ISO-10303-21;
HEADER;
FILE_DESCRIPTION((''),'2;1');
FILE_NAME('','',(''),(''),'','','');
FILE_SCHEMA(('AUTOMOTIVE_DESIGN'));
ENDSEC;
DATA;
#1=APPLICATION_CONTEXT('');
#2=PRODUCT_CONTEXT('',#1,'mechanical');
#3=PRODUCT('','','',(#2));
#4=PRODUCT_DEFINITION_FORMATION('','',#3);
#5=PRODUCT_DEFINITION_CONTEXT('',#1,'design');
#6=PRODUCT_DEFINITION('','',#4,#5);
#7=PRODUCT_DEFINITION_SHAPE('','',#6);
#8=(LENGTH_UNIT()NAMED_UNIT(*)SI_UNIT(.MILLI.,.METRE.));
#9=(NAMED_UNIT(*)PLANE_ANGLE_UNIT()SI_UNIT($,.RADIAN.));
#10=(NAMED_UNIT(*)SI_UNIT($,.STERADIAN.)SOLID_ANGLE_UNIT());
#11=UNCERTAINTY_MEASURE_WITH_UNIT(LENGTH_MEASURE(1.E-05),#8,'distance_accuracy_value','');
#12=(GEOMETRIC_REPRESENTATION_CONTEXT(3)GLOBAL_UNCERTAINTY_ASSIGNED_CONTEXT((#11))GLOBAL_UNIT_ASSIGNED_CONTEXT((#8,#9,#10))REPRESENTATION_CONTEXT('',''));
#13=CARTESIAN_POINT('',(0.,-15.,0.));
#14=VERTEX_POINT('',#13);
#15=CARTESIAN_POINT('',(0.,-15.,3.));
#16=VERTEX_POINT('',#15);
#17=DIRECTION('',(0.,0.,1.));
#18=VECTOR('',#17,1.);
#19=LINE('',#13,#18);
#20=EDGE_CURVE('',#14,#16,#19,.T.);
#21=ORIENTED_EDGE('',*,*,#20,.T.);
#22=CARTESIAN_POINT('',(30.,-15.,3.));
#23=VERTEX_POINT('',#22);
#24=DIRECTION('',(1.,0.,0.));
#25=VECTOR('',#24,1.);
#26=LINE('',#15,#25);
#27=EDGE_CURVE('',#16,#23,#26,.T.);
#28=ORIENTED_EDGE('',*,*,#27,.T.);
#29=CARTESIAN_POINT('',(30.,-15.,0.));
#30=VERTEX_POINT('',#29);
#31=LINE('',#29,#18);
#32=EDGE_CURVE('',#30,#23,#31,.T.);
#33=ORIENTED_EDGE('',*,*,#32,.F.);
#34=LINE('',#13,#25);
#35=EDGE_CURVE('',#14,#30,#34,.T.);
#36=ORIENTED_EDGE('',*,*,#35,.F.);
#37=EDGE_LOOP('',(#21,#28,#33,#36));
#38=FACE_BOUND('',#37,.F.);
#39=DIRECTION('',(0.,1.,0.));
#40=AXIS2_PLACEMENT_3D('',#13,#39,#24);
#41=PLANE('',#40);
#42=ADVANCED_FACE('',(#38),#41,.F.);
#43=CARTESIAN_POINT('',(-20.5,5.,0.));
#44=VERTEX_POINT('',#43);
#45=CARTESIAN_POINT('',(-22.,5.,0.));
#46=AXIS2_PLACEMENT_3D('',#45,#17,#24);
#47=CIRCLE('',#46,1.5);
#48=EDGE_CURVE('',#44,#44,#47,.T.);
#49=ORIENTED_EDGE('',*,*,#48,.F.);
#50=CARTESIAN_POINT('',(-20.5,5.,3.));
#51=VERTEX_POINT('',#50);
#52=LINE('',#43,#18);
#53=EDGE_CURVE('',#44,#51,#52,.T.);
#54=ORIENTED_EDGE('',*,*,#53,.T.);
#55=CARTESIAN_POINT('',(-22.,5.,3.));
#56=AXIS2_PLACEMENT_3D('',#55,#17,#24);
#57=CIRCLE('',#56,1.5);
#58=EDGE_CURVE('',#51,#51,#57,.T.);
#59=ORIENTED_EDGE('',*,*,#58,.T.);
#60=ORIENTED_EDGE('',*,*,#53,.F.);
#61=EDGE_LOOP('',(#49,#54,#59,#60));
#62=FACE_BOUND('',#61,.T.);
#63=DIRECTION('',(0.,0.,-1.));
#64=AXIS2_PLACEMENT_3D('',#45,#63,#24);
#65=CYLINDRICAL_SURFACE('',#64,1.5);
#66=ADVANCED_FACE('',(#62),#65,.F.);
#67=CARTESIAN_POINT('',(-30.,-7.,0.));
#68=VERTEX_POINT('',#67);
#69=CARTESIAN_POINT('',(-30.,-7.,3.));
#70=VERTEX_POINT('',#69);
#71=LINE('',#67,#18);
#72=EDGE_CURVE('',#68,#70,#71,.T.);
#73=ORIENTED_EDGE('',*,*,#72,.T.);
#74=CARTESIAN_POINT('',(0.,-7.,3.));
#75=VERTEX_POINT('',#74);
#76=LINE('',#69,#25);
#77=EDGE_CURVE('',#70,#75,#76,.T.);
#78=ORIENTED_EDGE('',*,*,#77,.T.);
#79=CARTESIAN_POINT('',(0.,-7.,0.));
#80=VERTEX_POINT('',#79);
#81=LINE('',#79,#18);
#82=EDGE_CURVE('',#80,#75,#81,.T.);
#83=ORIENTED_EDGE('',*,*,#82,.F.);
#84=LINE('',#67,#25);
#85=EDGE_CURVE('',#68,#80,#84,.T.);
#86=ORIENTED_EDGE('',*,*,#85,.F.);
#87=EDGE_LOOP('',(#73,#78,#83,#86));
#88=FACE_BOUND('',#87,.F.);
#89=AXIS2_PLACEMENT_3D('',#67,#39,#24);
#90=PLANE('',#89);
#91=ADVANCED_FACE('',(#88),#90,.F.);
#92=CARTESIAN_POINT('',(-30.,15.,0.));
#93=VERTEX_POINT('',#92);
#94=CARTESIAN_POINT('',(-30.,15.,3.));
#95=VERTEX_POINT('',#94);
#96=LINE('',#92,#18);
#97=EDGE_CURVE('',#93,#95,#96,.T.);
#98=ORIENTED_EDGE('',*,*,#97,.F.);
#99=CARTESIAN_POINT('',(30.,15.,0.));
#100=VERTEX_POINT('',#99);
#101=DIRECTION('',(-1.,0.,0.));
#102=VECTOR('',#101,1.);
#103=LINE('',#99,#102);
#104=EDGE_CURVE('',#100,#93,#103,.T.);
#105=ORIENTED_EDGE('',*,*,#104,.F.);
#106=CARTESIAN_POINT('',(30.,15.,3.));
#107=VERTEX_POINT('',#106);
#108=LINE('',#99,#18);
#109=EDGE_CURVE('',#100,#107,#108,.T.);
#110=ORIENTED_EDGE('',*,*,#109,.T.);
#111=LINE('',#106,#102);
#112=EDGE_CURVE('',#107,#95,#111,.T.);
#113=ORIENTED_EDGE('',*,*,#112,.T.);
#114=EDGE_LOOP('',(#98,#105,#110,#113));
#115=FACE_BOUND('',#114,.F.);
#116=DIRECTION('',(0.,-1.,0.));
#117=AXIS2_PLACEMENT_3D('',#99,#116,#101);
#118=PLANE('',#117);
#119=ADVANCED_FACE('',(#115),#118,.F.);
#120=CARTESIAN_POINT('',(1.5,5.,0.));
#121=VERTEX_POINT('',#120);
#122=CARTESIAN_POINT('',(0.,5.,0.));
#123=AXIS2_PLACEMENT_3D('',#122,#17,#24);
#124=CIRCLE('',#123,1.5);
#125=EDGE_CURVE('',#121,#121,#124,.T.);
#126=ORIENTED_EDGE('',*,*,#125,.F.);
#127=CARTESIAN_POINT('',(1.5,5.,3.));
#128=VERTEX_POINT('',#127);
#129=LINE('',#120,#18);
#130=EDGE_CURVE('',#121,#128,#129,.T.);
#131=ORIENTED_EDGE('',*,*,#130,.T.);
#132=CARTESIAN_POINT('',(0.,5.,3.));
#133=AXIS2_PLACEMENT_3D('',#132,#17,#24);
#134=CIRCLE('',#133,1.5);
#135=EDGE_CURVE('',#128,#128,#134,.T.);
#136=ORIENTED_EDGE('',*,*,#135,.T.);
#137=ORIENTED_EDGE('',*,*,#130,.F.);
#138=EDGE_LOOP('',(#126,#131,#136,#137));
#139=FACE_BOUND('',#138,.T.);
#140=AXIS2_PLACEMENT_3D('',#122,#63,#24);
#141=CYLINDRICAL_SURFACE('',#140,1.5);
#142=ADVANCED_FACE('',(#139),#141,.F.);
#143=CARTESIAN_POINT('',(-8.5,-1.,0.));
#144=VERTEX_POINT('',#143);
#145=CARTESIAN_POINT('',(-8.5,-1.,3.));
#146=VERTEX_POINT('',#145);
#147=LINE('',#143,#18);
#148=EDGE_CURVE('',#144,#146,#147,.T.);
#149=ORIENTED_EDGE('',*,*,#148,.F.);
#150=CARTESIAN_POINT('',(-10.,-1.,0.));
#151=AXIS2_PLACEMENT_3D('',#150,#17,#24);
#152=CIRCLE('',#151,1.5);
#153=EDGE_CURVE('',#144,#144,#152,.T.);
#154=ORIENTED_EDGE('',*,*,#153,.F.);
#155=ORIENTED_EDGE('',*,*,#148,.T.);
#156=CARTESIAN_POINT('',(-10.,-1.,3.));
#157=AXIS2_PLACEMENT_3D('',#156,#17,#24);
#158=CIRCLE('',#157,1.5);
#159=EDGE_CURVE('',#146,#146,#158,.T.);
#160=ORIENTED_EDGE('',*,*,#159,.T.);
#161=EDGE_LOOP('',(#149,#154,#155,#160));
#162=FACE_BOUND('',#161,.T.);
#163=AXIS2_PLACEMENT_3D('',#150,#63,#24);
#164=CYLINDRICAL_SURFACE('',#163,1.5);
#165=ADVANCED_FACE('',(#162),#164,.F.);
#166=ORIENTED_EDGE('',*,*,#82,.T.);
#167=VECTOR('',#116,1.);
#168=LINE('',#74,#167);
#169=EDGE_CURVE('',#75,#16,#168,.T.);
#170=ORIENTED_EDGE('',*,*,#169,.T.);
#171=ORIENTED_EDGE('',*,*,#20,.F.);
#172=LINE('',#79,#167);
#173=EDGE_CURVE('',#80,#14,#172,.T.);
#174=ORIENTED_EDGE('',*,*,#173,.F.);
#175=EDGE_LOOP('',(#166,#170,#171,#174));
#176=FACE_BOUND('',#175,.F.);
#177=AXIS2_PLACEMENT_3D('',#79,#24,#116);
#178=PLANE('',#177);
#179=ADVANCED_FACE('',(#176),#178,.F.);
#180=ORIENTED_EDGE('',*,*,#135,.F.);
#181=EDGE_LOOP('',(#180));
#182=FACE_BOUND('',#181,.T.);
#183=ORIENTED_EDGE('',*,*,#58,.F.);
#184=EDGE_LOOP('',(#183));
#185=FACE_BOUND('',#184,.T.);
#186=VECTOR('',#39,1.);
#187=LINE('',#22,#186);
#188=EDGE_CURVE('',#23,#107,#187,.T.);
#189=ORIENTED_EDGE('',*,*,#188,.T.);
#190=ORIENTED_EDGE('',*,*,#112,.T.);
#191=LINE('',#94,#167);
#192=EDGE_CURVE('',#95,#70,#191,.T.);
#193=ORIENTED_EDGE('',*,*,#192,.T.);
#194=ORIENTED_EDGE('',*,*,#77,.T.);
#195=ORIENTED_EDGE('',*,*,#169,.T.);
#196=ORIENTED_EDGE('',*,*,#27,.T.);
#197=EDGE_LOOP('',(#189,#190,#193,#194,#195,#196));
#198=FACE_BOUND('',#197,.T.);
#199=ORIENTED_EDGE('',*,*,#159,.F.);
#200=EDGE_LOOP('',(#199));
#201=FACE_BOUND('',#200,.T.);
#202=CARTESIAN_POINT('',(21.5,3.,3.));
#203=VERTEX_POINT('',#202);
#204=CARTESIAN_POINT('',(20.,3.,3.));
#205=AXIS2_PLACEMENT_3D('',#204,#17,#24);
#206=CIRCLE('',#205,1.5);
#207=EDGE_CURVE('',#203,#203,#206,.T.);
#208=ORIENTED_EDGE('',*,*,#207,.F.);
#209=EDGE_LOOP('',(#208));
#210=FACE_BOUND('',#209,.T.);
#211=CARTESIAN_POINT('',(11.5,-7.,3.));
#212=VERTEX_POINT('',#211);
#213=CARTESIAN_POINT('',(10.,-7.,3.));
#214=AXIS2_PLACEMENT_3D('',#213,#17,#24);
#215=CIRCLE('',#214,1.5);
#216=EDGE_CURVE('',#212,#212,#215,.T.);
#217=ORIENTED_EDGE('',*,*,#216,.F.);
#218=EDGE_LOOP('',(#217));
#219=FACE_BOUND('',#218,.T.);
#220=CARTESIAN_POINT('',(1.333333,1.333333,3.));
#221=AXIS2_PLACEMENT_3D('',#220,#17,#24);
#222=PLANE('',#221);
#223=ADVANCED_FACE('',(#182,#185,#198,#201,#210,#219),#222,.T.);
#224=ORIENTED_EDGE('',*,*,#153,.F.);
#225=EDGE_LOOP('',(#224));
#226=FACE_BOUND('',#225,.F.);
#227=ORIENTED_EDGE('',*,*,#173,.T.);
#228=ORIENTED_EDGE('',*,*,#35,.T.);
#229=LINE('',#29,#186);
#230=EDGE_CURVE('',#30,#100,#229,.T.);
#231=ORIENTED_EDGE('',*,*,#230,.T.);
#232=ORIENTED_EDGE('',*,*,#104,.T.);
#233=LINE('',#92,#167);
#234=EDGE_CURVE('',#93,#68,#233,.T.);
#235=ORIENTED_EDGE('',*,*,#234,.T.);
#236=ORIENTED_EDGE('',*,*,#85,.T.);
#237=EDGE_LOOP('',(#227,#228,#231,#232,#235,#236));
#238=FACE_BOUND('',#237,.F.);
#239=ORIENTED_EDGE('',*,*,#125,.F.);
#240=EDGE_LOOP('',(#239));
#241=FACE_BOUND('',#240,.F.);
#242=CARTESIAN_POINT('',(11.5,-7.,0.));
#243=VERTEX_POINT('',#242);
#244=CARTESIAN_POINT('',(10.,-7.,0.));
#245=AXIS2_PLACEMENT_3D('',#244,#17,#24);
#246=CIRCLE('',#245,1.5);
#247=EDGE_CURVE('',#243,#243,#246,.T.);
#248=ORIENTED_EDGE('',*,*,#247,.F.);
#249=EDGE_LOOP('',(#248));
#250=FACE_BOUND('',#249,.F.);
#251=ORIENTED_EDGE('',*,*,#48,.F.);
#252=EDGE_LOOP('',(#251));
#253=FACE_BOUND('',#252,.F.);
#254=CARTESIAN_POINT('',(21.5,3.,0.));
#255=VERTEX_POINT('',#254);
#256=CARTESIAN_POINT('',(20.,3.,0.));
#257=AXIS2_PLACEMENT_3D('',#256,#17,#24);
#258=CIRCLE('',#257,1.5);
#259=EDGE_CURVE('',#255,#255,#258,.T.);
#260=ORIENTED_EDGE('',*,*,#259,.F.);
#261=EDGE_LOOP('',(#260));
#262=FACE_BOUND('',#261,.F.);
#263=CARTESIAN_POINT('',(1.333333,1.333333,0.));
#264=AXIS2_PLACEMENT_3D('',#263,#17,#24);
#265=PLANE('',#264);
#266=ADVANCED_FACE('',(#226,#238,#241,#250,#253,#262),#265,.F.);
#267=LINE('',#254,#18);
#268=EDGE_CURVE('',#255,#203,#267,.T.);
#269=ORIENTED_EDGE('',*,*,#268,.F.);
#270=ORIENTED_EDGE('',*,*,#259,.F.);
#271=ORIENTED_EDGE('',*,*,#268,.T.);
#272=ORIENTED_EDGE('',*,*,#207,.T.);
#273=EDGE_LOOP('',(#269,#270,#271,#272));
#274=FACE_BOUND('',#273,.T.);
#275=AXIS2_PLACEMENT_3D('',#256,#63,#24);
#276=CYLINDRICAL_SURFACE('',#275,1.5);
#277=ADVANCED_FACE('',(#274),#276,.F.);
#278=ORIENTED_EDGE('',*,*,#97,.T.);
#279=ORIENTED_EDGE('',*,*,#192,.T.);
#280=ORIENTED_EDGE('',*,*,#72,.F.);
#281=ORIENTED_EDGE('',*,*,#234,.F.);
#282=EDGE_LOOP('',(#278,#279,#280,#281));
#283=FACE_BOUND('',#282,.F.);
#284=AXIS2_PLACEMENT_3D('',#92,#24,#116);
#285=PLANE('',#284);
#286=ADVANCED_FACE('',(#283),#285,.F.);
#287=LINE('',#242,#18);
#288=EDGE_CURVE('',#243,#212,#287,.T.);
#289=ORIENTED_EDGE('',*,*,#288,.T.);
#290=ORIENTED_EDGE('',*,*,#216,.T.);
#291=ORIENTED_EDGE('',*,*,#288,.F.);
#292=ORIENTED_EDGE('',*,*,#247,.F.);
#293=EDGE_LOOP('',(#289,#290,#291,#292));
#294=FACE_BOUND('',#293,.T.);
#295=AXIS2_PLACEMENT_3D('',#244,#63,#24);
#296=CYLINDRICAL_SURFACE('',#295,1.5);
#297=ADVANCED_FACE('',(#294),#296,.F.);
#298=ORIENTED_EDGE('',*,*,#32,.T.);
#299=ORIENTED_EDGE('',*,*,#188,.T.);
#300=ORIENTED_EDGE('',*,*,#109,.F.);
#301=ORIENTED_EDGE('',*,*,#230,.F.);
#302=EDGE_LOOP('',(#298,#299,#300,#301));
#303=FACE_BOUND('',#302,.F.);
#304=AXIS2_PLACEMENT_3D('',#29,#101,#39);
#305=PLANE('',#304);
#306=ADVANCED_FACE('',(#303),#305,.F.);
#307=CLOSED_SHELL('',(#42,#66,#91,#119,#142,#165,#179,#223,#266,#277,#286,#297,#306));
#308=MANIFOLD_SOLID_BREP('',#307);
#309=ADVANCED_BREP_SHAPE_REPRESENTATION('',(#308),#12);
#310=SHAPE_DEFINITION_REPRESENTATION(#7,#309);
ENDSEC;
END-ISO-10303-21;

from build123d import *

# Parameters (mm, degrees)
F0_R     = 1.5
F1_DEPTH = 3


with BuildPart() as f1:
    # F0 (on Top) → F1 (new body)
    with BuildSketch(Plane.XY):
        Polygon((30, 15), (-30, 15), (-30, -7), (0, -7), (0, -15), (30, -15), align=None)
        with Locations((-10, -1)):
            Circle(F0_R, mode=Mode.SUBTRACT)
        with Locations((10, -7)):
            Circle(F0_R, mode=Mode.SUBTRACT)
        with Locations((-22, 5)):
            Circle(F0_R, mode=Mode.SUBTRACT)
        with Locations((0, 5)):
            Circle(F0_R, mode=Mode.SUBTRACT)
        with Locations((20, 3)):
            Circle(F0_R, mode=Mode.SUBTRACT)
    extrude(amount=F1_DEPTH)


solid = f1.part
